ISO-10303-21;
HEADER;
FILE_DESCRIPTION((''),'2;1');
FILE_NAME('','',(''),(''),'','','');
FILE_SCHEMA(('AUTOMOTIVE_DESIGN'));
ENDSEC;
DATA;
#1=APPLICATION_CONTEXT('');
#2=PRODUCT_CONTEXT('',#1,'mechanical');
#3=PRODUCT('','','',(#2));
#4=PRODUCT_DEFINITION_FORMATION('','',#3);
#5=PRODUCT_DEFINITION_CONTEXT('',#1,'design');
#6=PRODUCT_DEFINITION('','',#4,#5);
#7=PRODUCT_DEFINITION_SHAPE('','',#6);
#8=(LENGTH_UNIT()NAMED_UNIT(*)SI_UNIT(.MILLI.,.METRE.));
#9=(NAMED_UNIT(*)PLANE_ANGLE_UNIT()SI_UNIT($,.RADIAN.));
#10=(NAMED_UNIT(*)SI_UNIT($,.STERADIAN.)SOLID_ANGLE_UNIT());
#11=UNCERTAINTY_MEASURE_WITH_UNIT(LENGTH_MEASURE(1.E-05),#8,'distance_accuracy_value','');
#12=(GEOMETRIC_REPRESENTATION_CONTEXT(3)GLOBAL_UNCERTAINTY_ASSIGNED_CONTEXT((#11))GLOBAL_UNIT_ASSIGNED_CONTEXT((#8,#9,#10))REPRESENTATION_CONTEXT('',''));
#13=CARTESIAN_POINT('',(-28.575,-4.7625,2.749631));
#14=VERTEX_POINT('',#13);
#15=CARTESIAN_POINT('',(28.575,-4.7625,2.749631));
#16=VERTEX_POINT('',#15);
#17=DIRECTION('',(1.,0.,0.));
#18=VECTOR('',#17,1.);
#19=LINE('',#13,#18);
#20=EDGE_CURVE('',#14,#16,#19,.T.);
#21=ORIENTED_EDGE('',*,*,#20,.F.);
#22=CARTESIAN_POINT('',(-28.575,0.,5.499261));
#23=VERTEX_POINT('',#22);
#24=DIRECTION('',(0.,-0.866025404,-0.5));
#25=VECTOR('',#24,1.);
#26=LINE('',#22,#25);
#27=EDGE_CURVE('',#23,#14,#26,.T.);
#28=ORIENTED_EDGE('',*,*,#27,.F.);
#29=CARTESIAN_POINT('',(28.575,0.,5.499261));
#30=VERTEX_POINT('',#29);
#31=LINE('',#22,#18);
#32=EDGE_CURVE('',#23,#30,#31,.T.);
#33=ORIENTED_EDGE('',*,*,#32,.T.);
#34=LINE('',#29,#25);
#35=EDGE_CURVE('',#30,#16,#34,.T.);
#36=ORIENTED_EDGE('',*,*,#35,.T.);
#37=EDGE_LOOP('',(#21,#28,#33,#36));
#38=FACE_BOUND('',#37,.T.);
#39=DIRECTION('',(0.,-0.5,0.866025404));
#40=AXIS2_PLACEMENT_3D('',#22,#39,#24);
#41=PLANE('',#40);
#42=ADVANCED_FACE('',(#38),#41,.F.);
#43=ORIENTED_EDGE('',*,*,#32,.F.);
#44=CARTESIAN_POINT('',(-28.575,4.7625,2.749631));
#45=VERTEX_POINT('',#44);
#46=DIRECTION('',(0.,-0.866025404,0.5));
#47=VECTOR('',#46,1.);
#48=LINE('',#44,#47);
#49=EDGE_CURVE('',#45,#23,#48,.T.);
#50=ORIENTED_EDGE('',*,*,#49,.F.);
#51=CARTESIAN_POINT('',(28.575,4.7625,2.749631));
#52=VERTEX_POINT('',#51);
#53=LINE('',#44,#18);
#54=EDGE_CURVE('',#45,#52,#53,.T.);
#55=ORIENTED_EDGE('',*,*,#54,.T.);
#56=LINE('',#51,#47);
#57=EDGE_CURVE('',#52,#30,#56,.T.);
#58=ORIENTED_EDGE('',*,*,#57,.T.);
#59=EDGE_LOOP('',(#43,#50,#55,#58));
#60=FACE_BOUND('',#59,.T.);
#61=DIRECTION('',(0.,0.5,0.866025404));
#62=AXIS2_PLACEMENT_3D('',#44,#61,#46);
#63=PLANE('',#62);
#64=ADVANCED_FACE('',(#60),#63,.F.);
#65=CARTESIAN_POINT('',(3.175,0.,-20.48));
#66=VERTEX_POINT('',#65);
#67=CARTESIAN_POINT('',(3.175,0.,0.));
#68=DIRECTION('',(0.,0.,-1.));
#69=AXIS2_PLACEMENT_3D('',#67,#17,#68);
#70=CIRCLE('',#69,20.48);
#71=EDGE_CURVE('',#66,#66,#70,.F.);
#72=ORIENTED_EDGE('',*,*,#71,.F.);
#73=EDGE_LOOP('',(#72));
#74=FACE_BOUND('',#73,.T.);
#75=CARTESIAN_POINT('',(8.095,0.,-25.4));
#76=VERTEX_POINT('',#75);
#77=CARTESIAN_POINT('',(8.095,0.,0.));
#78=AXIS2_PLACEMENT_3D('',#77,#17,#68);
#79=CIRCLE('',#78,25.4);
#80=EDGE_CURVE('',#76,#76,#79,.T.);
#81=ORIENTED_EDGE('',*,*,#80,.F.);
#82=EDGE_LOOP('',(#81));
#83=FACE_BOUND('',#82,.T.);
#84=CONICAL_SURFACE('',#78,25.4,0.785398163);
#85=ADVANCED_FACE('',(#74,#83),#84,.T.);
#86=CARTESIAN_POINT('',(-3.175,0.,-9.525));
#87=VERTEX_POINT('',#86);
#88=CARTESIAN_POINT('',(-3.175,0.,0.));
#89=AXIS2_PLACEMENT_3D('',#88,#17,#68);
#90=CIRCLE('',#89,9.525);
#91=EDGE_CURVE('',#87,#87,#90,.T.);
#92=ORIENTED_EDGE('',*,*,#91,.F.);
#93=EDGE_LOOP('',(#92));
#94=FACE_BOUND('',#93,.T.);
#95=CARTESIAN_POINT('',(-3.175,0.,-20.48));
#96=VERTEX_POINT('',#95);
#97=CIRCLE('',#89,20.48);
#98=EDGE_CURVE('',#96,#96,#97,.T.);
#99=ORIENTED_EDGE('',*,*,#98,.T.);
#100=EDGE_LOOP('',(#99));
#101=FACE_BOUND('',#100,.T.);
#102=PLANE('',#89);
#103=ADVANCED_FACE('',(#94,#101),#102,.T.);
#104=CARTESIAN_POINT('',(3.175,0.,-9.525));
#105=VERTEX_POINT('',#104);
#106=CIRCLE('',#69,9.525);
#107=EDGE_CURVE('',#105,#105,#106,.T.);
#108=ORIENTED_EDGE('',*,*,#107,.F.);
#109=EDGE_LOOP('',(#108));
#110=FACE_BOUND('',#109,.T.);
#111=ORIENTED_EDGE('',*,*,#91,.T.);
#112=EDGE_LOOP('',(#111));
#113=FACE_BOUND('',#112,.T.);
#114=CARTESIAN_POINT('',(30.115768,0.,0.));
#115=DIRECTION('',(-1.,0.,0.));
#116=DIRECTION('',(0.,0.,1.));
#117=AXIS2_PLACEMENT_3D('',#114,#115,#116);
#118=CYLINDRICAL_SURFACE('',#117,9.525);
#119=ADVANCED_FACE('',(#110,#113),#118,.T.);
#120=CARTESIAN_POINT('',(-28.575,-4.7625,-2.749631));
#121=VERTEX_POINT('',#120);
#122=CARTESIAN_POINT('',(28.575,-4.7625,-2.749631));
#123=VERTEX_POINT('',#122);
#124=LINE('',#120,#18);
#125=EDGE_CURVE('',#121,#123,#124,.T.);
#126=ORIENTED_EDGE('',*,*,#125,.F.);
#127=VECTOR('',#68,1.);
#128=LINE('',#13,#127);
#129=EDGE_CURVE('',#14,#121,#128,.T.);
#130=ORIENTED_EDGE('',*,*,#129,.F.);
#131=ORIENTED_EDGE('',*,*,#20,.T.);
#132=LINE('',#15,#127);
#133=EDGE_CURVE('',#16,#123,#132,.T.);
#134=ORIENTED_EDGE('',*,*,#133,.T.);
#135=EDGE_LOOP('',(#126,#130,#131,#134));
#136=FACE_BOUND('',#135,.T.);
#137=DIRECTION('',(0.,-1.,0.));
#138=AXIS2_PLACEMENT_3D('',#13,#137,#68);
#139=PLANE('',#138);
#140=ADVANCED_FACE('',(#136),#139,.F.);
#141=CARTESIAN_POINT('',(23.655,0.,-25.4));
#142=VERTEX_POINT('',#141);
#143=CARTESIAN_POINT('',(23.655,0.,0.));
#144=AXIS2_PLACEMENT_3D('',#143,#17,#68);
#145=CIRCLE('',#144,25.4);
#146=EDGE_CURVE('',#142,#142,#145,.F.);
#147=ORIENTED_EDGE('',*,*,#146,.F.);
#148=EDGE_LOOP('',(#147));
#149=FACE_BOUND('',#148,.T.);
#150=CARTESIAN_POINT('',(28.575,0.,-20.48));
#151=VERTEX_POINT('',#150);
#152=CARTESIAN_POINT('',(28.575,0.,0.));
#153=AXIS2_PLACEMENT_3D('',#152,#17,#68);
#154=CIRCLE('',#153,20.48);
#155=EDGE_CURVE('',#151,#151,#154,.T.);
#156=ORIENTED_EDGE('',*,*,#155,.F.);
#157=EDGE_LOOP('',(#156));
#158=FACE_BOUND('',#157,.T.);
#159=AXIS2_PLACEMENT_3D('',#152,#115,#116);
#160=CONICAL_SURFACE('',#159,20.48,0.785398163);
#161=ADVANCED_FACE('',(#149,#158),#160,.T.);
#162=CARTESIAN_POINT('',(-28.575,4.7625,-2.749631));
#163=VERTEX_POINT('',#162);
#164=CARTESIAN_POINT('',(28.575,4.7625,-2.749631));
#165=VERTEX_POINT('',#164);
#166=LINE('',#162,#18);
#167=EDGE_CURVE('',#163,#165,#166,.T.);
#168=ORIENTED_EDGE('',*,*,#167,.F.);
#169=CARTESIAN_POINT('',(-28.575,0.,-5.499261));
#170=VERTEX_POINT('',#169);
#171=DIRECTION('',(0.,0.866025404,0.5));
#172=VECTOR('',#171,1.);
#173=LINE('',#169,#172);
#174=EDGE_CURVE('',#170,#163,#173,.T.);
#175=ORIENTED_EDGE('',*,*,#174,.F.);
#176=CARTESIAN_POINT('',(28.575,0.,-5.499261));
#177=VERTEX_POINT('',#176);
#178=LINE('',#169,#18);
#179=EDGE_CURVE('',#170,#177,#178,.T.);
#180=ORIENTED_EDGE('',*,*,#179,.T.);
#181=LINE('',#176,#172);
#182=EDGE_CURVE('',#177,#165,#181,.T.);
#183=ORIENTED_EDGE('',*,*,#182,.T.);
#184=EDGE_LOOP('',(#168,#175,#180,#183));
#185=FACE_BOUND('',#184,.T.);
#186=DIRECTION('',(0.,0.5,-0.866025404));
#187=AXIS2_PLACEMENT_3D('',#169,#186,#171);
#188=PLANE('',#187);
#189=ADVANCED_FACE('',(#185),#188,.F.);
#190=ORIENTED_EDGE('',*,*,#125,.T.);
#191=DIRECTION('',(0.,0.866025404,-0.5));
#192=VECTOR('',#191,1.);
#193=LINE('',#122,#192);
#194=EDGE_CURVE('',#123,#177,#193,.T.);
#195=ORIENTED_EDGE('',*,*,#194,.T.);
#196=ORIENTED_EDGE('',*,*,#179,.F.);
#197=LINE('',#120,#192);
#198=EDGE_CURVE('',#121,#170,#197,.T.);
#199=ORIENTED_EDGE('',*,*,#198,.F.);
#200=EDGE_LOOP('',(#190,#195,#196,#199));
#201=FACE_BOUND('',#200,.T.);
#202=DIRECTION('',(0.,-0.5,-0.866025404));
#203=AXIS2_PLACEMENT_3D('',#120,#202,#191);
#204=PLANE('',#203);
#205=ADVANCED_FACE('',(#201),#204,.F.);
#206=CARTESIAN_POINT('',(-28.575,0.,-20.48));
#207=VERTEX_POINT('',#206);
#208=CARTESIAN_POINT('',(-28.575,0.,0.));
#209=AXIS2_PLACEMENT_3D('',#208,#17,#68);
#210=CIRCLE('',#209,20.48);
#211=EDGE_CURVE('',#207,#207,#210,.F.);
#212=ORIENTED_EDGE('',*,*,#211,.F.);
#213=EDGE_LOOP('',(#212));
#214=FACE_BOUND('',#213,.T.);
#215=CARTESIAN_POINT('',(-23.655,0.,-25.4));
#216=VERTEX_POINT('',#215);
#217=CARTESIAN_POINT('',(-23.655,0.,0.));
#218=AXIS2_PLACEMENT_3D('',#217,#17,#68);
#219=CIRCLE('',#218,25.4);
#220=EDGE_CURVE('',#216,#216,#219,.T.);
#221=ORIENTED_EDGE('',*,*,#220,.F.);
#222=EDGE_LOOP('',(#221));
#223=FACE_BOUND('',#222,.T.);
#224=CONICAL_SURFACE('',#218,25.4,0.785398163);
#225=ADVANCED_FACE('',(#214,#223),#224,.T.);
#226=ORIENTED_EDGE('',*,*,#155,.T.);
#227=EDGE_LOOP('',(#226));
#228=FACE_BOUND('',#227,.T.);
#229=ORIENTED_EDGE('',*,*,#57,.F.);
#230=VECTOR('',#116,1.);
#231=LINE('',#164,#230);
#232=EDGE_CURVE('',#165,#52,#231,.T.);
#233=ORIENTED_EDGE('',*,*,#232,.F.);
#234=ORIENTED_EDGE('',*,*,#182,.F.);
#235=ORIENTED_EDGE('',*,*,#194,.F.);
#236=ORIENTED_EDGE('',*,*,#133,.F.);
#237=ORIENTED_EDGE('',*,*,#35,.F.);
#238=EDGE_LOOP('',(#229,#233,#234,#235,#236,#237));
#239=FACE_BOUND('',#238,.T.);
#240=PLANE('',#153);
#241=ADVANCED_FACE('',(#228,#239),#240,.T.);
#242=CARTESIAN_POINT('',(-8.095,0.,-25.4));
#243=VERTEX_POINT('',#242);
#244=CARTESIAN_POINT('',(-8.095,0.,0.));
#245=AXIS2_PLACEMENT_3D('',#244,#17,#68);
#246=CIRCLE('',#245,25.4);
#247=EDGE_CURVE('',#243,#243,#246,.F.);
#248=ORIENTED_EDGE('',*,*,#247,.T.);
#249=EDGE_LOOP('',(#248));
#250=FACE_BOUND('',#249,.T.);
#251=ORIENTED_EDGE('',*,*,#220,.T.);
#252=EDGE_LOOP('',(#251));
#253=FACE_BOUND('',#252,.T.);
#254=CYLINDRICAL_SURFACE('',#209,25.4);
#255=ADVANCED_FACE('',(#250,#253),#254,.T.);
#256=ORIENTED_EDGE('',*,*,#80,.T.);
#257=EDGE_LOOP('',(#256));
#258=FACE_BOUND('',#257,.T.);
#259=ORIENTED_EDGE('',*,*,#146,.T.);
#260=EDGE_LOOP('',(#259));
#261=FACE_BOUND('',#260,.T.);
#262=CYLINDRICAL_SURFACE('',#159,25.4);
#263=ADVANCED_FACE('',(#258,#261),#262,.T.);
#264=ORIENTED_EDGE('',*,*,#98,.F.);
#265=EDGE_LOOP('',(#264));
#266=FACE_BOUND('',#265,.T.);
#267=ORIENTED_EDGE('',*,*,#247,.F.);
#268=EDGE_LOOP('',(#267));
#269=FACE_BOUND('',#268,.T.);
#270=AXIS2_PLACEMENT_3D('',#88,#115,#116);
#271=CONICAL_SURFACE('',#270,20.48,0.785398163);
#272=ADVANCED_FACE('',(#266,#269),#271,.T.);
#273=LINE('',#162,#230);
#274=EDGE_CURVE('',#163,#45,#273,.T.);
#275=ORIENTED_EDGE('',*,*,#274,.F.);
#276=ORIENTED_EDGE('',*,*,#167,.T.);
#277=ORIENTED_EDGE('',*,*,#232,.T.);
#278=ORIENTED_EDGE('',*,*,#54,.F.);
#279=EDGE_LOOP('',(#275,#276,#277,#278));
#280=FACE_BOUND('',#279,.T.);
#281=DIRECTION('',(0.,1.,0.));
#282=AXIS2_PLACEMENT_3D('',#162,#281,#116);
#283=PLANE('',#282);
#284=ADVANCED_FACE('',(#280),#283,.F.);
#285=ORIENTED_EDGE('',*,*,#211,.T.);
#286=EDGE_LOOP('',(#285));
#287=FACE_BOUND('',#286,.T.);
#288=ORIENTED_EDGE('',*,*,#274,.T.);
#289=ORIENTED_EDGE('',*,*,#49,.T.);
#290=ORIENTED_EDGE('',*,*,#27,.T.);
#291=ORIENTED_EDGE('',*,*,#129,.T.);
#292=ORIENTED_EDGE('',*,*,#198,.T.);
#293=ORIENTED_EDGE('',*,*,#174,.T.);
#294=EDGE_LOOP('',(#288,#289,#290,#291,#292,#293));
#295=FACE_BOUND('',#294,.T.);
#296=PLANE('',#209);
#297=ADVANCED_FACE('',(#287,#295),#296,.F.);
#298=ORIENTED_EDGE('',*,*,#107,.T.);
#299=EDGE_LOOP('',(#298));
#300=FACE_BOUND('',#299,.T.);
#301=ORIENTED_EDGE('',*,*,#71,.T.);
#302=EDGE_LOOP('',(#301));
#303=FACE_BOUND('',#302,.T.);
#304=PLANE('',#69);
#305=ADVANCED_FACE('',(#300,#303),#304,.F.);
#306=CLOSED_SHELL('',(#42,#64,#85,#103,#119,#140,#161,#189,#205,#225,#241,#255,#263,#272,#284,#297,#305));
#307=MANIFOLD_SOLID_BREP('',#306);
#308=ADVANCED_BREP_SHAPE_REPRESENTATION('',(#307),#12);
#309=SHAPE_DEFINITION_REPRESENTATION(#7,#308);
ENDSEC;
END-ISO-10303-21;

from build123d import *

# Parameters (mm, degrees)
BOSS_EXTRUDE1_START = -3.175
SKETCH1_R           = 25.4
BOSS_EXTRUDE1_DEPTH = 25.4
BOSS_EXTRUDE3_START = 3.175
SKETCH1_3_R         = 25.4
BOSS_EXTRUDE3_DEPTH = 25.4
CHAMFER1_SIZE       = 4.92
CHAMFER2_SIZE       = 4.92
SKETCH2_R           = 9.525
BOSS_EXTRUDE4_DEPTH = 6.35
CUT_EXTRUDE1_DEPTH  = 58.15


with BuildPart() as part:
    # Sketch1 → Boss-Extrude1 (new body)
    with BuildSketch(Plane(origin=(0, 0, 0), x_dir=(0, 0, -1), z_dir=(1, 0, 0)).offset(BOSS_EXTRUDE1_START)):
        Circle(SKETCH1_R)
    extrude(amount=-BOSS_EXTRUDE1_DEPTH)

    # Chamfer1
    chamfer1_edges = [part.edges().sort_by_distance(p)[0] for p in [
        (-3.175, 0, 25.4),
        (-28.575, 0, 25.4),
    ]]
    chamfer(chamfer1_edges, length=CHAMFER1_SIZE)



with BuildPart() as body_2:
    # Sketch1<3> → Boss-Extrude3 (new body)
    with BuildSketch(Plane(origin=(0, 0, 0), x_dir=(0, 0, -1), z_dir=(1, 0, 0)).offset(BOSS_EXTRUDE3_START)):
        Circle(SKETCH1_3_R)
    extrude(amount=BOSS_EXTRUDE3_DEPTH)

    # Chamfer2
    chamfer2_edges = [body_2.edges().sort_by_distance(p)[0] for p in [
        (3.175, 0, 25.4),
        (28.575, 0, 25.4),
    ]]
    chamfer(chamfer2_edges, length=CHAMFER2_SIZE)


with BuildPart() as part_1:
    add(part.part)

    add(body_2.part)  # Boss-Extrude4 merges body 2
    # Sketch2 → Boss-Extrude4 (add)
    with BuildSketch(Plane(origin=(-3.175, 0, 0), x_dir=(0, 0, -1), z_dir=(1, 0, 0))):
        Circle(SKETCH2_R)
    extrude(amount=BOSS_EXTRUDE4_DEPTH)

    # Sketch3 → Cut-Extrude1 (cut, through all)
    with BuildSketch(Plane(origin=(28.575, 0, 0), x_dir=(0, 0, -1), z_dir=(1, 0, 0))):
        Polygon((2.749630657, -4.7625), (5.499261314, 0), (2.749630657, 4.7625), (-2.749630657, 4.7625), (-5.499261314, 0), (-2.749630657, -4.7625), align=None)
    extrude(amount=-CUT_EXTRUDE1_DEPTH, mode=Mode.SUBTRACT)


solid = part_1.part
